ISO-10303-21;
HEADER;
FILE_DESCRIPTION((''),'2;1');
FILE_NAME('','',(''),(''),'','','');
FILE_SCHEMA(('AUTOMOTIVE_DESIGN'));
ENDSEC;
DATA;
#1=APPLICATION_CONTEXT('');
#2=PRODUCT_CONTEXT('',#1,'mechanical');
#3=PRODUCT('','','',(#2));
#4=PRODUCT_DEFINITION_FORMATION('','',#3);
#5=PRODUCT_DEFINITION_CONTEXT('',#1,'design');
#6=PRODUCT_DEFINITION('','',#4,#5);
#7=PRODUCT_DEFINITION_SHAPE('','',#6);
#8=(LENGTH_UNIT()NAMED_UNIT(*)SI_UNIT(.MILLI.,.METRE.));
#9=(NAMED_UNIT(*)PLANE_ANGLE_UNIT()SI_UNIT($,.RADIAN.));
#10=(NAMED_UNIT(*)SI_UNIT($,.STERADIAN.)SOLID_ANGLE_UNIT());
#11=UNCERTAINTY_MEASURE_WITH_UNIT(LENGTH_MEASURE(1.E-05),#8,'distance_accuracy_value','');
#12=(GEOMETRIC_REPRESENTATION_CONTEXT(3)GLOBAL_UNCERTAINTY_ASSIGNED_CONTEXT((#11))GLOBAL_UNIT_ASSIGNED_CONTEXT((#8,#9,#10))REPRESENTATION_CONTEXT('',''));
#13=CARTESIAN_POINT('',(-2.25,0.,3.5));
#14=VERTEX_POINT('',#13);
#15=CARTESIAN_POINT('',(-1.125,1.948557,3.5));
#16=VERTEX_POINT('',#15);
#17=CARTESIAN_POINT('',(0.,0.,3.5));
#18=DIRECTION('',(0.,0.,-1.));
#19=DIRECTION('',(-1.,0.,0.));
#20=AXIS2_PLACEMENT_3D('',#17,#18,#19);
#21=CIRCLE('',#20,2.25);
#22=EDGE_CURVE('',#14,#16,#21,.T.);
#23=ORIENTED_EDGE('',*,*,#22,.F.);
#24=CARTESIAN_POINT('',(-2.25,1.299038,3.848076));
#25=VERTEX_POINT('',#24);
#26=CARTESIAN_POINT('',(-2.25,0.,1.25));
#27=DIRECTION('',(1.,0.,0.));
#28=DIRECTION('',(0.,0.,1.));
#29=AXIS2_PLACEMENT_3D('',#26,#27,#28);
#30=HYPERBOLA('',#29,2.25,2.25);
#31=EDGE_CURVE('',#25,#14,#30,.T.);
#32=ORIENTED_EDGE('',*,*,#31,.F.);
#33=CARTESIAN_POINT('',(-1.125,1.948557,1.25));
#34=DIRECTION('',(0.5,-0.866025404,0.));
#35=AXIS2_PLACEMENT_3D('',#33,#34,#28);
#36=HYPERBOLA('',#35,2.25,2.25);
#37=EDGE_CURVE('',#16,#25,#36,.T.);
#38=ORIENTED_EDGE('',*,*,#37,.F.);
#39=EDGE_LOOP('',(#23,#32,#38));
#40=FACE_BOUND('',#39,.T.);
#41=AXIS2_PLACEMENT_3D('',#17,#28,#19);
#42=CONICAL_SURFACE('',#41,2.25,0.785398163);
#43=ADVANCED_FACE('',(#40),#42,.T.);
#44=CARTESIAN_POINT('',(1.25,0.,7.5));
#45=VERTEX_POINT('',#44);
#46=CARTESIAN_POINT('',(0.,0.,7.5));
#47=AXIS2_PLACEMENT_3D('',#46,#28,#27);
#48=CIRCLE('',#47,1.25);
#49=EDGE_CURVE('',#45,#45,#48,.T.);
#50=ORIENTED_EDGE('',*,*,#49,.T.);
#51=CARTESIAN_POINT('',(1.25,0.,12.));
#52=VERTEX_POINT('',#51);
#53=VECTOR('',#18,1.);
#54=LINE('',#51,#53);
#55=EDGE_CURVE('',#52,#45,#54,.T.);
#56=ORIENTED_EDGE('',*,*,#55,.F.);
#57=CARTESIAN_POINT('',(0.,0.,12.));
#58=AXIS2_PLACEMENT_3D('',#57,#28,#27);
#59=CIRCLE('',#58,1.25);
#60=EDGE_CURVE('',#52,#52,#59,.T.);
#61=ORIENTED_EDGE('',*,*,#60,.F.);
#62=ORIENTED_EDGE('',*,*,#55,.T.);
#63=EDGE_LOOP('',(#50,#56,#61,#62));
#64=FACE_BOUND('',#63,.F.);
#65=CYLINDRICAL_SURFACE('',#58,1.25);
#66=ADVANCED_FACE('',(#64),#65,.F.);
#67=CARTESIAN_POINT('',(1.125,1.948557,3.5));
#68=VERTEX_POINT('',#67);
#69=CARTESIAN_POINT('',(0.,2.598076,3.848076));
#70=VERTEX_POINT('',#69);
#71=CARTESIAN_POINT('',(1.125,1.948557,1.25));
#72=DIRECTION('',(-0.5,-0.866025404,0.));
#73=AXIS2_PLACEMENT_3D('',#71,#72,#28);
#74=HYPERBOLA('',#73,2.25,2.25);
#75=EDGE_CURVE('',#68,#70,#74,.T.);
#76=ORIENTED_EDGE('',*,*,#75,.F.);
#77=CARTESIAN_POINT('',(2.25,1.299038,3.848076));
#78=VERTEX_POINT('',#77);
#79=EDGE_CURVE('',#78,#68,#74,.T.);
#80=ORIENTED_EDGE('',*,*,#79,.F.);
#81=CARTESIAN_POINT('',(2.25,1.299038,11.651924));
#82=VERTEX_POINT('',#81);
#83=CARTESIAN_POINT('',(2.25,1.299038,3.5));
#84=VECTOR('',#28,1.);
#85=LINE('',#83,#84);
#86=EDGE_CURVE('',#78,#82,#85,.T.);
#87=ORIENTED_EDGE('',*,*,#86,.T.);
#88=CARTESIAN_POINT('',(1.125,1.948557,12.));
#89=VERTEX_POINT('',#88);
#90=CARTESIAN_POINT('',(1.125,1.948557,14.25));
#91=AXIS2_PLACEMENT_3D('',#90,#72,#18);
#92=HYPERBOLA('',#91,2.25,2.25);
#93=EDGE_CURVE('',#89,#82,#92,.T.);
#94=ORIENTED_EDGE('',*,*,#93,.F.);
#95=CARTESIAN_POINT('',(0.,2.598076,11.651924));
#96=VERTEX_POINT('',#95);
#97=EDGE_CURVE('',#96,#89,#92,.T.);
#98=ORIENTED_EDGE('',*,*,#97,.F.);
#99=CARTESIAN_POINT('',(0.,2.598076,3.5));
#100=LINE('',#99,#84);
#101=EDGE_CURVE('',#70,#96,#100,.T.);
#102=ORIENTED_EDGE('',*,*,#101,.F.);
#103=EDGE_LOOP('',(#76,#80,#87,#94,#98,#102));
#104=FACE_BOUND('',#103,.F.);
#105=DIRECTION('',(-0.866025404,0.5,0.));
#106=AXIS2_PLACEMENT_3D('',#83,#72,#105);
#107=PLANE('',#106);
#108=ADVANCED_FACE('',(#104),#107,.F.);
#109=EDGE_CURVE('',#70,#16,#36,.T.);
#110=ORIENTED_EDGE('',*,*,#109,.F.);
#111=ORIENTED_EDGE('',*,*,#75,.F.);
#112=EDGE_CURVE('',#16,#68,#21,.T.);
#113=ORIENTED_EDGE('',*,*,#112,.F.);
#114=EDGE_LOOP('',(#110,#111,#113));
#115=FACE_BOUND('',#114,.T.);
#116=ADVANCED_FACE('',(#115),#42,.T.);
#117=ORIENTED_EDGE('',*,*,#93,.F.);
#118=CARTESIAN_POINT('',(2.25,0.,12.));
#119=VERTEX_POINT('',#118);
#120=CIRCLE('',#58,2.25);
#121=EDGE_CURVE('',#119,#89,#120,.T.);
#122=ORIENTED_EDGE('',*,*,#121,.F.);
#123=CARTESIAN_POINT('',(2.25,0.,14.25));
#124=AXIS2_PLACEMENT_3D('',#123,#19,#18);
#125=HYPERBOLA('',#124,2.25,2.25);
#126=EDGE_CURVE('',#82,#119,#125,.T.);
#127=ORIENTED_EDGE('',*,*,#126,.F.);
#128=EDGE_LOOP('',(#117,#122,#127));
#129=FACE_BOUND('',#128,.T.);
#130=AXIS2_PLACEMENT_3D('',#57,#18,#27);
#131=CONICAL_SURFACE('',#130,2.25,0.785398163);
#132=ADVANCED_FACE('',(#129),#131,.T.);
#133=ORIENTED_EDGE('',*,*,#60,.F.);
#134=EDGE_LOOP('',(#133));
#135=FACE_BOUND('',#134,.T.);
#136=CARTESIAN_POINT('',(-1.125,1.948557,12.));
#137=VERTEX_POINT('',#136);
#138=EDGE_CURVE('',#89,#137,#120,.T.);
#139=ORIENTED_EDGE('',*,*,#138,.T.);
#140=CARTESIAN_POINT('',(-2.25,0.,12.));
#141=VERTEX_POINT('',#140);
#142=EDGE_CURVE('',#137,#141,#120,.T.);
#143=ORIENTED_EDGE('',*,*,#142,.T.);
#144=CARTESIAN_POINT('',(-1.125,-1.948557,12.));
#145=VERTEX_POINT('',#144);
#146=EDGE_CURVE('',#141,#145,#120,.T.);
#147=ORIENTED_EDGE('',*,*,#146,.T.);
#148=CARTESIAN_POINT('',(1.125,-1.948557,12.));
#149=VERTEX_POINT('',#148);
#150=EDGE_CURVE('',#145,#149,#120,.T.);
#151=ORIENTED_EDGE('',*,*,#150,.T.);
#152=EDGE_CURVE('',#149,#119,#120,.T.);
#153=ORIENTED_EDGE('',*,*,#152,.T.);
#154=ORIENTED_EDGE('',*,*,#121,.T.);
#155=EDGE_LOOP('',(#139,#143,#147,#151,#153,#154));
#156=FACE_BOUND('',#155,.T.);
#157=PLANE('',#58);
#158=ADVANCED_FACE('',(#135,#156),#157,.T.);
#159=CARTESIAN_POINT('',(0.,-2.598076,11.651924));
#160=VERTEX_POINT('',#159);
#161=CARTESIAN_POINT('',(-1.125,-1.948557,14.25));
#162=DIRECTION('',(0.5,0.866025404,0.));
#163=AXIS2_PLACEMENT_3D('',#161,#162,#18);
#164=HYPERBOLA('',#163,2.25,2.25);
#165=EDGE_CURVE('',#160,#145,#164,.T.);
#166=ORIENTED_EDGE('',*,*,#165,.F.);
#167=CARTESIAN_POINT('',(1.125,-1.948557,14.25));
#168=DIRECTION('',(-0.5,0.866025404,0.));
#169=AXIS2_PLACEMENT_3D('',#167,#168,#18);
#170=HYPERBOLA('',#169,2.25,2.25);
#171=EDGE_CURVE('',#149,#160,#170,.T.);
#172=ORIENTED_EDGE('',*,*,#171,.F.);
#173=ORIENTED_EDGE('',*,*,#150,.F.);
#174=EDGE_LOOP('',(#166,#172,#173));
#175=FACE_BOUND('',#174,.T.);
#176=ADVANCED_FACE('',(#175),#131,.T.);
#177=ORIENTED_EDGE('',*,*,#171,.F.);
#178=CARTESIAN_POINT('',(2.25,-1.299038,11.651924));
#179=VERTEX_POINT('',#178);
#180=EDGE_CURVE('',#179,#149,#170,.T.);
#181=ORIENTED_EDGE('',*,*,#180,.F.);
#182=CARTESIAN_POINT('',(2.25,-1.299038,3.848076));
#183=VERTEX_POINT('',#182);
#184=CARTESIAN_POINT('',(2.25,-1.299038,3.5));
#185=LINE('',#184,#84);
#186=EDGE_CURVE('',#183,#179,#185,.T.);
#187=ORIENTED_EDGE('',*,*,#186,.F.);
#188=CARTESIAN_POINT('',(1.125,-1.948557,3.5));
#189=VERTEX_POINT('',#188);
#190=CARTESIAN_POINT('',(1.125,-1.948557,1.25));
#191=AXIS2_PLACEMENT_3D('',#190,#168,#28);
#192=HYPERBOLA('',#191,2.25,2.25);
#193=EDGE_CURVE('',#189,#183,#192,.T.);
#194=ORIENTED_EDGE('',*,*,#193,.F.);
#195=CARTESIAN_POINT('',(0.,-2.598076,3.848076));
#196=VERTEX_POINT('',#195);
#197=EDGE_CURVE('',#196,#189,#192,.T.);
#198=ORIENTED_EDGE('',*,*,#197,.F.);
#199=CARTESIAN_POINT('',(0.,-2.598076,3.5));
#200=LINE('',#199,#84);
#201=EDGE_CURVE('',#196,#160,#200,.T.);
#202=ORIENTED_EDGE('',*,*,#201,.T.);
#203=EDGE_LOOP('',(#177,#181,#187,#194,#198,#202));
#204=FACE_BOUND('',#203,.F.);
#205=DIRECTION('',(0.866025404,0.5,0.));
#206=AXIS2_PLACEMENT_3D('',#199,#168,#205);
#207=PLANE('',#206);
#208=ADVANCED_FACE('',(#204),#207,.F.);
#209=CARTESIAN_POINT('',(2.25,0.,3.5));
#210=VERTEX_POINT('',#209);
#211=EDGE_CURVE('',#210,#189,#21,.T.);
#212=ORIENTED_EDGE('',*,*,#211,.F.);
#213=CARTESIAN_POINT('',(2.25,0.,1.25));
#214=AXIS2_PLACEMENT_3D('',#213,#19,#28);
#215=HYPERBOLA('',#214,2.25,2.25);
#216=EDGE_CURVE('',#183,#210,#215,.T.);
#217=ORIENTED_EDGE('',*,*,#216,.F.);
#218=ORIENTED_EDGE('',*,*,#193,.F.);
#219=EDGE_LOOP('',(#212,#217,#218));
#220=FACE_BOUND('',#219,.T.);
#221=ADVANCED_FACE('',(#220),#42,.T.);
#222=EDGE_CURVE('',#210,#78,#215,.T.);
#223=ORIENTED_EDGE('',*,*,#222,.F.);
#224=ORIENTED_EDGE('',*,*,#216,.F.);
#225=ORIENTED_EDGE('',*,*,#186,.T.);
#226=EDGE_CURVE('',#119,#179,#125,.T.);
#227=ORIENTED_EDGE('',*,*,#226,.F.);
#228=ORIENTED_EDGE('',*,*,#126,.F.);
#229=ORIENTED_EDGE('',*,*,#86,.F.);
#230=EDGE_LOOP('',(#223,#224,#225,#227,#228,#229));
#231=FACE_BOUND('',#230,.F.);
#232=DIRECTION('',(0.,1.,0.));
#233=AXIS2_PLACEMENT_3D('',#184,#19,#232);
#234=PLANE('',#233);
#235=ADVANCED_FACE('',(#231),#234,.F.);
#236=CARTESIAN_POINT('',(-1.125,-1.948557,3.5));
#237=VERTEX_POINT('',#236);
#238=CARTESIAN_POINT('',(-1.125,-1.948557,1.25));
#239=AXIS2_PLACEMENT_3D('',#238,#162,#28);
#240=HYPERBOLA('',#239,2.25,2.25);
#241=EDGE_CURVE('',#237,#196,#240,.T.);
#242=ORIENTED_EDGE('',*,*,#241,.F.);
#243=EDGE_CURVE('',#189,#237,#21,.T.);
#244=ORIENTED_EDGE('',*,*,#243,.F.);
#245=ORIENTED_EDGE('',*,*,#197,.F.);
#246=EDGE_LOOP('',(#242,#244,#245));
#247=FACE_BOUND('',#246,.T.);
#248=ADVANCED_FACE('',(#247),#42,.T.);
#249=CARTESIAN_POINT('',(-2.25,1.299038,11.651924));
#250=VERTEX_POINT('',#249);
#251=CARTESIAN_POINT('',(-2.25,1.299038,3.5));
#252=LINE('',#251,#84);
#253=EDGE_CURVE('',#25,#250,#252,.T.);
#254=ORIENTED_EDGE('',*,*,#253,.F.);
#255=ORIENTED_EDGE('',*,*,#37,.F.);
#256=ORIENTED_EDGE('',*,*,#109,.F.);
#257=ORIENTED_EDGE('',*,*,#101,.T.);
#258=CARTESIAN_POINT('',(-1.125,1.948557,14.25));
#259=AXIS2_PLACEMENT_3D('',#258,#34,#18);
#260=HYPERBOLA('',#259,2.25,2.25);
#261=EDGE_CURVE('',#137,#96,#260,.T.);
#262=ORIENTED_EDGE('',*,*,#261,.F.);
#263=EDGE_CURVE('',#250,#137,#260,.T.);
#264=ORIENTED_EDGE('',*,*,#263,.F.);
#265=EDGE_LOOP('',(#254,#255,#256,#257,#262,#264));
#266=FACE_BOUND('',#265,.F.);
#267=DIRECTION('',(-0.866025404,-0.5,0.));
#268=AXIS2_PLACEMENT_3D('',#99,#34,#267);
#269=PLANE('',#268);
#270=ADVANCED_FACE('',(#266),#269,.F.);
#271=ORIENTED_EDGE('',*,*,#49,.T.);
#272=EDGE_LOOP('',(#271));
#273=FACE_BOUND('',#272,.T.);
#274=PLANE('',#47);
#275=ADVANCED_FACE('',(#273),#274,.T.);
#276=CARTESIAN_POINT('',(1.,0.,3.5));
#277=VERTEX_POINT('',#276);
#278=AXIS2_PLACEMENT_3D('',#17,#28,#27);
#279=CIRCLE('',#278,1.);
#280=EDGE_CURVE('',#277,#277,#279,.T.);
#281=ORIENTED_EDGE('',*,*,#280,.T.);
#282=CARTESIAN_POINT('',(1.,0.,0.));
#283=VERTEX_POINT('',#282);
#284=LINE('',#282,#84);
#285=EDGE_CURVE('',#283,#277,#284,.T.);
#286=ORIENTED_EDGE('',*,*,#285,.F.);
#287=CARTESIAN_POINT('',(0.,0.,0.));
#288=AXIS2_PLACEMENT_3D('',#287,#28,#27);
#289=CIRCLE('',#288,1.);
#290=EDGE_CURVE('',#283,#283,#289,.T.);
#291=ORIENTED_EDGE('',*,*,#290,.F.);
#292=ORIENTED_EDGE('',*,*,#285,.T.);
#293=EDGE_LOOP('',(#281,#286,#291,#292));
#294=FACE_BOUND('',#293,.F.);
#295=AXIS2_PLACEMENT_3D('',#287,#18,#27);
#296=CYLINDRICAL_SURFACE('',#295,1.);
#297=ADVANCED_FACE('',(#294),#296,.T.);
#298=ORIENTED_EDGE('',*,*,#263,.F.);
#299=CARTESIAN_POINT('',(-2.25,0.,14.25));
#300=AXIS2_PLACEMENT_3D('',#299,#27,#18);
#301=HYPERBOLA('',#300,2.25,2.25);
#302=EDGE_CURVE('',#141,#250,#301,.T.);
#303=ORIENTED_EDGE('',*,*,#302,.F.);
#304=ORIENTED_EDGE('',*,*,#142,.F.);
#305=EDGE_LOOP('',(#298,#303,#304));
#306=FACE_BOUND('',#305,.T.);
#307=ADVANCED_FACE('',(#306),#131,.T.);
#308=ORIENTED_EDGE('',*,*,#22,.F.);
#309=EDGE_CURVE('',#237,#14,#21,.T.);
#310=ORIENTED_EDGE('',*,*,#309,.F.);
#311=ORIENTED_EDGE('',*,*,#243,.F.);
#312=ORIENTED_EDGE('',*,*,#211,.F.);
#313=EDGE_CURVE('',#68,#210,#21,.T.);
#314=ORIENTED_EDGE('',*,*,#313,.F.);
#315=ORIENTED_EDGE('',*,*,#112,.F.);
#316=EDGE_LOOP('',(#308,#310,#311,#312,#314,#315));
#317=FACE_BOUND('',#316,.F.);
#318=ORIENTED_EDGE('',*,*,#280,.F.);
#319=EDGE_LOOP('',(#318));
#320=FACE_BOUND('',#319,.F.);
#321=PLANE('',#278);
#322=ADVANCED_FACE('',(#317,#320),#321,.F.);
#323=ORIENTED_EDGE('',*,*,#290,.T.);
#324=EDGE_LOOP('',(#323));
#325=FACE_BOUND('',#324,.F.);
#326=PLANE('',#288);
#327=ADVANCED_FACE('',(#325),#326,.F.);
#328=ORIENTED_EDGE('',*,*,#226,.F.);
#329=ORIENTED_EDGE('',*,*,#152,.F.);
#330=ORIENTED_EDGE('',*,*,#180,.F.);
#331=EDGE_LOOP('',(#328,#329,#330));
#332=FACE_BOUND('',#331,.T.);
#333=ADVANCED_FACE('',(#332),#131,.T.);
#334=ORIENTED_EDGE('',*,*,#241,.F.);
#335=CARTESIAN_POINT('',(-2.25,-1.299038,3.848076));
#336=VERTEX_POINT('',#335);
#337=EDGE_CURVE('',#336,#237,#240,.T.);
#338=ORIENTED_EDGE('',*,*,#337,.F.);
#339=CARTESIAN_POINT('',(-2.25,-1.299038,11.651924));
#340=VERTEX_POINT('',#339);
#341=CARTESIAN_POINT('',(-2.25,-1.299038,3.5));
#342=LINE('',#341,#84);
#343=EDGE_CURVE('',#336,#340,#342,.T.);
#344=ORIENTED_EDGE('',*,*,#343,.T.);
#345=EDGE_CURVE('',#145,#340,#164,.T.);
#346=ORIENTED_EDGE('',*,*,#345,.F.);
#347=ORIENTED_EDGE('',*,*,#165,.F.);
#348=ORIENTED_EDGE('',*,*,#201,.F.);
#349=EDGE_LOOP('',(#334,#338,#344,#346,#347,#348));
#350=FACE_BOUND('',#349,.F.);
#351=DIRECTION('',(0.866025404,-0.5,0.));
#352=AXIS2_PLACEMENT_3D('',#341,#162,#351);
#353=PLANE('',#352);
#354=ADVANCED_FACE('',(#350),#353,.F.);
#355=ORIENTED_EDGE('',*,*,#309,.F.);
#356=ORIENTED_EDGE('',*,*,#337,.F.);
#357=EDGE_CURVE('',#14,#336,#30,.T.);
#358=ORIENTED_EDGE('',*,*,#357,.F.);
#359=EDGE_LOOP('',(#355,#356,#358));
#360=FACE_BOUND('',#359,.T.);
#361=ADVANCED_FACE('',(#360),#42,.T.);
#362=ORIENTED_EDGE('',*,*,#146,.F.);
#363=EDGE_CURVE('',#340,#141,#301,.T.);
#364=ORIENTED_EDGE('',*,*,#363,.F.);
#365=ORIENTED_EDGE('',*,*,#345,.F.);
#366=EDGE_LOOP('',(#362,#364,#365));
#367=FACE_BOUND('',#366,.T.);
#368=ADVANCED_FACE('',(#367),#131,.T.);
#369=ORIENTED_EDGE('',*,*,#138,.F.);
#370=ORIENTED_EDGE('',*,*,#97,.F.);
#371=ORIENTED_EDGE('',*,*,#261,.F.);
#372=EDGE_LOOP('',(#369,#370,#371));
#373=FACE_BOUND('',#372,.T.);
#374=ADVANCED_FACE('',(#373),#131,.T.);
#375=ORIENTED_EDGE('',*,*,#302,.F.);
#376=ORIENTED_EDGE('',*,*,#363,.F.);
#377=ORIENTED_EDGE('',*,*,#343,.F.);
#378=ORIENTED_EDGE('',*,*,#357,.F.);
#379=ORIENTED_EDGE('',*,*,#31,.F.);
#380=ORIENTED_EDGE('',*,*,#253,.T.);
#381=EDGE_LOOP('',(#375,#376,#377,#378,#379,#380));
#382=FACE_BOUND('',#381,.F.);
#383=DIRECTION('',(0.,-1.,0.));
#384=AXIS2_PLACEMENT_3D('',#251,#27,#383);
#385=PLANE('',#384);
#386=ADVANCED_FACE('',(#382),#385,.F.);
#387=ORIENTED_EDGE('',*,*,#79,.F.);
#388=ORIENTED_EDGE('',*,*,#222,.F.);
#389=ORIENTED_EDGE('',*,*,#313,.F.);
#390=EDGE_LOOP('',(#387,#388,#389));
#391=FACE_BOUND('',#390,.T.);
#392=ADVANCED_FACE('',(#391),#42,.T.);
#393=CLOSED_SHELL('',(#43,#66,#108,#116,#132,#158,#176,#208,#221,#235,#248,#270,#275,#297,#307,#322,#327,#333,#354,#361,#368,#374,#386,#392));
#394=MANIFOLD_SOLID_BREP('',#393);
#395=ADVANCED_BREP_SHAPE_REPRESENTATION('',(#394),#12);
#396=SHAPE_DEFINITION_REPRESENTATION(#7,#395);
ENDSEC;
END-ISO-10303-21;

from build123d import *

# Parameters (mm, degrees)
SKETCH1_R           = 1
BOSS_EXTRUDE1_DEPTH = 3.5
BOSS_EXTRUDE2_DEPTH = 8.5
SKETCH3_R           = 1.25
CUT_EXTRUDE1_DEPTH  = 4.5
SKETCH4_OUTSIDE_W   = 36.23
SKETCH4_OUTSIDE_H   = 36.926
SKETCH4_OUTSIDE_R   = 2.25
CUT_EXTRUDE2_DEPTH  = 13.482487733
CUT_EXTRUDE2_DRAFT  = -45
SKETCH6_OUTSIDE_W   = 29.602
SKETCH6_OUTSIDE_H   = 30.298
SKETCH6_OUTSIDE_R   = 2.25
CUT_EXTRUDE3_DEPTH  = 10.16856041
CUT_EXTRUDE3_DRAFT  = -45


with BuildPart() as part:
    # Sketch1 → Boss-Extrude1 (new body)
    with BuildSketch(Plane.XY):
        Circle(SKETCH1_R)
    extrude(amount=BOSS_EXTRUDE1_DEPTH)

    # Sketch2 → Boss-Extrude2 (add)
    with BuildSketch(Plane.XY.offset(3.5)):
        Polygon((0, 2.598076211), (-2.25, 1.299038106), (-2.25, -1.299038106), (0, -2.598076211), (2.25, -1.299038106), (2.25, 1.299038106), align=None)
    extrude(amount=BOSS_EXTRUDE2_DEPTH)

    # Sketch3 → Cut-Extrude1 (cut)
    with BuildSketch(Plane.XY.offset(12)):
        Circle(SKETCH3_R)
    extrude(amount=-CUT_EXTRUDE1_DEPTH, mode=Mode.SUBTRACT)


with BuildPart() as cut_extrude2_tool:
    # Sketch4 outside → Cut-Extrude2 (with draft: the straight prism first)
    with BuildSketch(Plane.XY.offset(12)):
        Rectangle(SKETCH4_OUTSIDE_W, SKETCH4_OUTSIDE_H)
        Circle(SKETCH4_OUTSIDE_R, mode=Mode.SUBTRACT)
    extrude(amount=-CUT_EXTRUDE2_DEPTH)
    # Cut-Extrude2: the draft: its side faces are tilted about the plane it starts from
    cut_extrude2_sides = [cut_extrude2_tool.faces().sort_by_distance(p)[0] for p in [
        (0, -18.463, 5.258756134),
        (18.115, 0, 5.258756134),
        (0, 18.463, 5.258756134),
        (-18.115, 0, 5.258756134),
        (-2.25, 0, 5.258756134),
    ]]
    draft(cut_extrude2_sides, Plane.XY.offset(12), CUT_EXTRUDE2_DRAFT)


with BuildPart() as part_1:
    add(part.part)

    # Cut-Extrude2: cut by cut_extrude2_tool
    add(cut_extrude2_tool.part, mode=Mode.SUBTRACT)


with BuildPart() as cut_extrude3_tool:
    # Sketch6 outside → Cut-Extrude3 (with draft: the straight prism first)
    with BuildSketch(Plane(origin=(0, 0, 3.5), x_dir=(-1, 0, 0), z_dir=(0, 0, -1))):
        Rectangle(SKETCH6_OUTSIDE_W, SKETCH6_OUTSIDE_H)
        Circle(SKETCH6_OUTSIDE_R, mode=Mode.SUBTRACT)
    extrude(amount=-CUT_EXTRUDE3_DEPTH)
    # Cut-Extrude3: the draft: its side faces are tilted about the plane it starts from
    cut_extrude3_sides = [cut_extrude3_tool.faces().sort_by_distance(p)[0] for p in [
        (0, -15.149, 8.584280205),
        (-14.801, 0, 8.584280205),
        (0, 15.149, 8.584280205),
        (14.801, 0, 8.584280205),
        (2.25, 0, 8.584280205),
    ]]
    draft(cut_extrude3_sides, Plane(origin=(0, 0, 3.5), x_dir=(-1, 0, 0), z_dir=(0, 0, -1)), CUT_EXTRUDE3_DRAFT)


with BuildPart() as part_2:
    add(part_1.part)

    # Cut-Extrude3: cut by cut_extrude3_tool
    add(cut_extrude3_tool.part, mode=Mode.SUBTRACT)


solid = part_2.part
